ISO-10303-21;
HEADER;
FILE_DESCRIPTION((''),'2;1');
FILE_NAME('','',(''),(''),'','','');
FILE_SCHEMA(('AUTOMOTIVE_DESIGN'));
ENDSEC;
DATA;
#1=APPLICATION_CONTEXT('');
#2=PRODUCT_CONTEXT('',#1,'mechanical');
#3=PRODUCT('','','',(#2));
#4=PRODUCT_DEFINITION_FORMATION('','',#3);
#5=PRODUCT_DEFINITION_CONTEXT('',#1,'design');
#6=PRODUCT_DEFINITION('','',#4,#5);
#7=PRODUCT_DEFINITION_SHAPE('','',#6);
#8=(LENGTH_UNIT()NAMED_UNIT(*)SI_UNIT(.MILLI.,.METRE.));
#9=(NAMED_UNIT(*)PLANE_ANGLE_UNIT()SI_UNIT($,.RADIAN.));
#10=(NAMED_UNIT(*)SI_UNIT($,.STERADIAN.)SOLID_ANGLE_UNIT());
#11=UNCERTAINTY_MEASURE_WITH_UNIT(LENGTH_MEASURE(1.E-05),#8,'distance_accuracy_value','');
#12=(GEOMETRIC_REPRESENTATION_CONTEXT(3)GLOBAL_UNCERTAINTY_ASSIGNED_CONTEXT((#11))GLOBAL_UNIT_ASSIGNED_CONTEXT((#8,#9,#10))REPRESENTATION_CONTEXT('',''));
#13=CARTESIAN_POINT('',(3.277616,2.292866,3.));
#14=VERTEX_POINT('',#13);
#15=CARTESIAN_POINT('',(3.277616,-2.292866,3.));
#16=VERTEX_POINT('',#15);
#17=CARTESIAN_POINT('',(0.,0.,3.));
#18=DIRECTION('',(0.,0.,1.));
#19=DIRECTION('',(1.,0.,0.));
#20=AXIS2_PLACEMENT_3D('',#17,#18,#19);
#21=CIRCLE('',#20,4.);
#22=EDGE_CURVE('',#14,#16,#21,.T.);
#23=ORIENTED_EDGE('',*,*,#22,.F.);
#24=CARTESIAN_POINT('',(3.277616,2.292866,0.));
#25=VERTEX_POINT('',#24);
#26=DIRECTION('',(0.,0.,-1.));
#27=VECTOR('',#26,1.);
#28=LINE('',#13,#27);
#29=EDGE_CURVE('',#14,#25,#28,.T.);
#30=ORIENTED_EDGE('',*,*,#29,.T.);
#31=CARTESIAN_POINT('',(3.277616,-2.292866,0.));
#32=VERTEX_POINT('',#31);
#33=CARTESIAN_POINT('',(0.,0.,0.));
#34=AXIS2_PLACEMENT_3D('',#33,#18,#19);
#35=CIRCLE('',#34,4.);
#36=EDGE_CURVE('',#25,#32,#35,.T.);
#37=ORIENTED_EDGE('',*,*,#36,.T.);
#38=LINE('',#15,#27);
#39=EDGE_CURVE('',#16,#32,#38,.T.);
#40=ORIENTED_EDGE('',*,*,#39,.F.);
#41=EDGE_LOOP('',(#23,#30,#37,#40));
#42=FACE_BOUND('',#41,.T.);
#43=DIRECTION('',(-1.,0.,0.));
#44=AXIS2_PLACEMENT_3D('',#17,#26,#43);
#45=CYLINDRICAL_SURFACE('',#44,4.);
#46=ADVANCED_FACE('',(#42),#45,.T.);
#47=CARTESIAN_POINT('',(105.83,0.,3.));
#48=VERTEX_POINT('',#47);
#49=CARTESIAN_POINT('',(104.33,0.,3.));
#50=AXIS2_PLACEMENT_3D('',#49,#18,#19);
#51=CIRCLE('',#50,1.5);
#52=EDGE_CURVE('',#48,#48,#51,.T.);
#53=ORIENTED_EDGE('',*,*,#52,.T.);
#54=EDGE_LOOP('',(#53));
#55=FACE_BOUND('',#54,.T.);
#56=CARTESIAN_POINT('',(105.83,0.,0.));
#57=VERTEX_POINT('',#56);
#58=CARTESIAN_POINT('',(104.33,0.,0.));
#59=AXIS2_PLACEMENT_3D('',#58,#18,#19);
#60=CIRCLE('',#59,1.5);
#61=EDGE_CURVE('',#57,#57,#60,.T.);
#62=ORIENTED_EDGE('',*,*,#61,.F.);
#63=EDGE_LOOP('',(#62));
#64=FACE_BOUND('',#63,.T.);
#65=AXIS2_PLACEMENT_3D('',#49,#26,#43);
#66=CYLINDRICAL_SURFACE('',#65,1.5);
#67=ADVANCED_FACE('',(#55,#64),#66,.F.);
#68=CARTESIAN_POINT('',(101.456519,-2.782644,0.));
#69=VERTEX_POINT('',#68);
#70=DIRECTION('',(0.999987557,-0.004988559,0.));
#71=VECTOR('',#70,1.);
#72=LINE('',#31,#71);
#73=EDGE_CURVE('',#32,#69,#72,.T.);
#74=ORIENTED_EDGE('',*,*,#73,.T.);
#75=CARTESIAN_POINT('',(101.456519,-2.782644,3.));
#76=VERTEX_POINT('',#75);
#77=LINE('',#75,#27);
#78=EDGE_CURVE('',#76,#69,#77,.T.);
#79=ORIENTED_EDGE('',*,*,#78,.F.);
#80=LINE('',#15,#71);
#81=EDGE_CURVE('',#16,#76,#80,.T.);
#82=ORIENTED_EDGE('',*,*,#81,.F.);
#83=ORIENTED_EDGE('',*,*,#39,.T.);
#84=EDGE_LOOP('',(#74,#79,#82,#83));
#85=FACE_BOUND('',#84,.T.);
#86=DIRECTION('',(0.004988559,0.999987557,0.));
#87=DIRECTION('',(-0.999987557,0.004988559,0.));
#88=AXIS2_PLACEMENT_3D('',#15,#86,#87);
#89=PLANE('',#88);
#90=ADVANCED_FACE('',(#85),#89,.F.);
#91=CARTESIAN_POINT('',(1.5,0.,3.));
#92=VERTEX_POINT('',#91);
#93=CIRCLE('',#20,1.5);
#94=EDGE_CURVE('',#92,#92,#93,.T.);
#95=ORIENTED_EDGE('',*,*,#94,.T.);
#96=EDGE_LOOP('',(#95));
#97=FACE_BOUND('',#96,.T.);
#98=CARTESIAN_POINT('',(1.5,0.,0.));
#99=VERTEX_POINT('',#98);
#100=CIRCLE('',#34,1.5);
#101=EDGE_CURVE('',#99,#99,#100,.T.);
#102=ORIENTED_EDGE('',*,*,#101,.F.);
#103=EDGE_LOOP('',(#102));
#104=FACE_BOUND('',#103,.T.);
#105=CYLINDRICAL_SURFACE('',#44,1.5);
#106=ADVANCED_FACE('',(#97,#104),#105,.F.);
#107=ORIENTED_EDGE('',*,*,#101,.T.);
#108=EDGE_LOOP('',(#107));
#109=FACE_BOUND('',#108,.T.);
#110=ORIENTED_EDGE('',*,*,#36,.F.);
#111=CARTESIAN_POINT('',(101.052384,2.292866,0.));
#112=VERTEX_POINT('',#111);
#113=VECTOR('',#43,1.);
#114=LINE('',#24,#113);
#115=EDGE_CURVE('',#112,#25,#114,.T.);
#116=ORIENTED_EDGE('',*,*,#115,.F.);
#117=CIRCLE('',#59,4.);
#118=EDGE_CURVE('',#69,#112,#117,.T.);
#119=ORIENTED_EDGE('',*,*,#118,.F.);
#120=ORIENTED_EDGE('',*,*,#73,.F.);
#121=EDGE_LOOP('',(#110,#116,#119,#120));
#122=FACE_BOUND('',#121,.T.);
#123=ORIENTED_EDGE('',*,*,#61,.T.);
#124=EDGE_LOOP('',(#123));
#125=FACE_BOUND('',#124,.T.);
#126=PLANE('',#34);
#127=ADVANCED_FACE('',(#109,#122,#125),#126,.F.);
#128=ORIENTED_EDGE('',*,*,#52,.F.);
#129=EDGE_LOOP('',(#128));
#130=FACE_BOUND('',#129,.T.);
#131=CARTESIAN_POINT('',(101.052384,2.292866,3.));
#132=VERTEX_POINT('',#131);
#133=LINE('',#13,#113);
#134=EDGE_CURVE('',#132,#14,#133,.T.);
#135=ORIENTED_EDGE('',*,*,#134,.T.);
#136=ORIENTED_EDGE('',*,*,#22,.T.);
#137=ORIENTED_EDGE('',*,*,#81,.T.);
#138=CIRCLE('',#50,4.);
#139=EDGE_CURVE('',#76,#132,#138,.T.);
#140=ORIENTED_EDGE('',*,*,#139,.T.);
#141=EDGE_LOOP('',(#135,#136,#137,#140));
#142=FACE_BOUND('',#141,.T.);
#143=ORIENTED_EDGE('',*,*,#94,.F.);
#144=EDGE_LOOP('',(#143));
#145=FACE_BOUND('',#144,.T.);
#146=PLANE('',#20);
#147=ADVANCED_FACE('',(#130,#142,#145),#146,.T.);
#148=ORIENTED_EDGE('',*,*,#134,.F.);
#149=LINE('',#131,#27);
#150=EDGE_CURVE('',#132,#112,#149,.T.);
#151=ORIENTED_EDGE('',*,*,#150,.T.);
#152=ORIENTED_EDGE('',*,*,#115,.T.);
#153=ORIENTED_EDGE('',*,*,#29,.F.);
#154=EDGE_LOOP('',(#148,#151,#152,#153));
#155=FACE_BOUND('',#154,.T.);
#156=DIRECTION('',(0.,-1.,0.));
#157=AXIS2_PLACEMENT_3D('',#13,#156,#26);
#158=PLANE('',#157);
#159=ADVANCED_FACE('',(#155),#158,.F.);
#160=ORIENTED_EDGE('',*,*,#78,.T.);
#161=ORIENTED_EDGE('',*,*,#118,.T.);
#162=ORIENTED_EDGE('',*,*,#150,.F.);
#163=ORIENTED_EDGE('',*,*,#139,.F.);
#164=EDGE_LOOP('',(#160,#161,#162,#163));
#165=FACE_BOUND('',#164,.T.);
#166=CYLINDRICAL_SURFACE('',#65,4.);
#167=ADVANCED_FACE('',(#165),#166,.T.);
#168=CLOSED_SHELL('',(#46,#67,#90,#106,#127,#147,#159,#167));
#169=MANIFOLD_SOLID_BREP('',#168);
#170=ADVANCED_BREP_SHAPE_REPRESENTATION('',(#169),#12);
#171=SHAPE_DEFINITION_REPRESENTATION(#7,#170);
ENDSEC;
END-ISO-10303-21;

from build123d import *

# Parameters (mm, degrees)
SKETCH1_R           = 1.5
BOSS_EXTRUDE1_DEPTH = 3


with BuildPart() as part:
    # Sketch1 → Boss-Extrude1 (new body)
    with BuildSketch(Plane.XY):
        with BuildLine():
            Line((3.277615697, 2.292866185), (101.052384303, 2.292866185))
            ThreePointArc((101.052384303, 2.292866185), (108.317379891, 0.317492691), (101.456518667, -2.782643533))
            Line((101.456518667, -2.782643533), (3.277615697, -2.292866185))
            ThreePointArc((3.277615697, -2.292866185), (-4, 0), (3.277615697, 2.292866185))
        make_face()
        Circle(SKETCH1_R, mode=Mode.SUBTRACT)
        with Locations((104.33, 0)):
            Circle(SKETCH1_R, mode=Mode.SUBTRACT)
    extrude(amount=BOSS_EXTRUDE1_DEPTH)


solid = part.part
